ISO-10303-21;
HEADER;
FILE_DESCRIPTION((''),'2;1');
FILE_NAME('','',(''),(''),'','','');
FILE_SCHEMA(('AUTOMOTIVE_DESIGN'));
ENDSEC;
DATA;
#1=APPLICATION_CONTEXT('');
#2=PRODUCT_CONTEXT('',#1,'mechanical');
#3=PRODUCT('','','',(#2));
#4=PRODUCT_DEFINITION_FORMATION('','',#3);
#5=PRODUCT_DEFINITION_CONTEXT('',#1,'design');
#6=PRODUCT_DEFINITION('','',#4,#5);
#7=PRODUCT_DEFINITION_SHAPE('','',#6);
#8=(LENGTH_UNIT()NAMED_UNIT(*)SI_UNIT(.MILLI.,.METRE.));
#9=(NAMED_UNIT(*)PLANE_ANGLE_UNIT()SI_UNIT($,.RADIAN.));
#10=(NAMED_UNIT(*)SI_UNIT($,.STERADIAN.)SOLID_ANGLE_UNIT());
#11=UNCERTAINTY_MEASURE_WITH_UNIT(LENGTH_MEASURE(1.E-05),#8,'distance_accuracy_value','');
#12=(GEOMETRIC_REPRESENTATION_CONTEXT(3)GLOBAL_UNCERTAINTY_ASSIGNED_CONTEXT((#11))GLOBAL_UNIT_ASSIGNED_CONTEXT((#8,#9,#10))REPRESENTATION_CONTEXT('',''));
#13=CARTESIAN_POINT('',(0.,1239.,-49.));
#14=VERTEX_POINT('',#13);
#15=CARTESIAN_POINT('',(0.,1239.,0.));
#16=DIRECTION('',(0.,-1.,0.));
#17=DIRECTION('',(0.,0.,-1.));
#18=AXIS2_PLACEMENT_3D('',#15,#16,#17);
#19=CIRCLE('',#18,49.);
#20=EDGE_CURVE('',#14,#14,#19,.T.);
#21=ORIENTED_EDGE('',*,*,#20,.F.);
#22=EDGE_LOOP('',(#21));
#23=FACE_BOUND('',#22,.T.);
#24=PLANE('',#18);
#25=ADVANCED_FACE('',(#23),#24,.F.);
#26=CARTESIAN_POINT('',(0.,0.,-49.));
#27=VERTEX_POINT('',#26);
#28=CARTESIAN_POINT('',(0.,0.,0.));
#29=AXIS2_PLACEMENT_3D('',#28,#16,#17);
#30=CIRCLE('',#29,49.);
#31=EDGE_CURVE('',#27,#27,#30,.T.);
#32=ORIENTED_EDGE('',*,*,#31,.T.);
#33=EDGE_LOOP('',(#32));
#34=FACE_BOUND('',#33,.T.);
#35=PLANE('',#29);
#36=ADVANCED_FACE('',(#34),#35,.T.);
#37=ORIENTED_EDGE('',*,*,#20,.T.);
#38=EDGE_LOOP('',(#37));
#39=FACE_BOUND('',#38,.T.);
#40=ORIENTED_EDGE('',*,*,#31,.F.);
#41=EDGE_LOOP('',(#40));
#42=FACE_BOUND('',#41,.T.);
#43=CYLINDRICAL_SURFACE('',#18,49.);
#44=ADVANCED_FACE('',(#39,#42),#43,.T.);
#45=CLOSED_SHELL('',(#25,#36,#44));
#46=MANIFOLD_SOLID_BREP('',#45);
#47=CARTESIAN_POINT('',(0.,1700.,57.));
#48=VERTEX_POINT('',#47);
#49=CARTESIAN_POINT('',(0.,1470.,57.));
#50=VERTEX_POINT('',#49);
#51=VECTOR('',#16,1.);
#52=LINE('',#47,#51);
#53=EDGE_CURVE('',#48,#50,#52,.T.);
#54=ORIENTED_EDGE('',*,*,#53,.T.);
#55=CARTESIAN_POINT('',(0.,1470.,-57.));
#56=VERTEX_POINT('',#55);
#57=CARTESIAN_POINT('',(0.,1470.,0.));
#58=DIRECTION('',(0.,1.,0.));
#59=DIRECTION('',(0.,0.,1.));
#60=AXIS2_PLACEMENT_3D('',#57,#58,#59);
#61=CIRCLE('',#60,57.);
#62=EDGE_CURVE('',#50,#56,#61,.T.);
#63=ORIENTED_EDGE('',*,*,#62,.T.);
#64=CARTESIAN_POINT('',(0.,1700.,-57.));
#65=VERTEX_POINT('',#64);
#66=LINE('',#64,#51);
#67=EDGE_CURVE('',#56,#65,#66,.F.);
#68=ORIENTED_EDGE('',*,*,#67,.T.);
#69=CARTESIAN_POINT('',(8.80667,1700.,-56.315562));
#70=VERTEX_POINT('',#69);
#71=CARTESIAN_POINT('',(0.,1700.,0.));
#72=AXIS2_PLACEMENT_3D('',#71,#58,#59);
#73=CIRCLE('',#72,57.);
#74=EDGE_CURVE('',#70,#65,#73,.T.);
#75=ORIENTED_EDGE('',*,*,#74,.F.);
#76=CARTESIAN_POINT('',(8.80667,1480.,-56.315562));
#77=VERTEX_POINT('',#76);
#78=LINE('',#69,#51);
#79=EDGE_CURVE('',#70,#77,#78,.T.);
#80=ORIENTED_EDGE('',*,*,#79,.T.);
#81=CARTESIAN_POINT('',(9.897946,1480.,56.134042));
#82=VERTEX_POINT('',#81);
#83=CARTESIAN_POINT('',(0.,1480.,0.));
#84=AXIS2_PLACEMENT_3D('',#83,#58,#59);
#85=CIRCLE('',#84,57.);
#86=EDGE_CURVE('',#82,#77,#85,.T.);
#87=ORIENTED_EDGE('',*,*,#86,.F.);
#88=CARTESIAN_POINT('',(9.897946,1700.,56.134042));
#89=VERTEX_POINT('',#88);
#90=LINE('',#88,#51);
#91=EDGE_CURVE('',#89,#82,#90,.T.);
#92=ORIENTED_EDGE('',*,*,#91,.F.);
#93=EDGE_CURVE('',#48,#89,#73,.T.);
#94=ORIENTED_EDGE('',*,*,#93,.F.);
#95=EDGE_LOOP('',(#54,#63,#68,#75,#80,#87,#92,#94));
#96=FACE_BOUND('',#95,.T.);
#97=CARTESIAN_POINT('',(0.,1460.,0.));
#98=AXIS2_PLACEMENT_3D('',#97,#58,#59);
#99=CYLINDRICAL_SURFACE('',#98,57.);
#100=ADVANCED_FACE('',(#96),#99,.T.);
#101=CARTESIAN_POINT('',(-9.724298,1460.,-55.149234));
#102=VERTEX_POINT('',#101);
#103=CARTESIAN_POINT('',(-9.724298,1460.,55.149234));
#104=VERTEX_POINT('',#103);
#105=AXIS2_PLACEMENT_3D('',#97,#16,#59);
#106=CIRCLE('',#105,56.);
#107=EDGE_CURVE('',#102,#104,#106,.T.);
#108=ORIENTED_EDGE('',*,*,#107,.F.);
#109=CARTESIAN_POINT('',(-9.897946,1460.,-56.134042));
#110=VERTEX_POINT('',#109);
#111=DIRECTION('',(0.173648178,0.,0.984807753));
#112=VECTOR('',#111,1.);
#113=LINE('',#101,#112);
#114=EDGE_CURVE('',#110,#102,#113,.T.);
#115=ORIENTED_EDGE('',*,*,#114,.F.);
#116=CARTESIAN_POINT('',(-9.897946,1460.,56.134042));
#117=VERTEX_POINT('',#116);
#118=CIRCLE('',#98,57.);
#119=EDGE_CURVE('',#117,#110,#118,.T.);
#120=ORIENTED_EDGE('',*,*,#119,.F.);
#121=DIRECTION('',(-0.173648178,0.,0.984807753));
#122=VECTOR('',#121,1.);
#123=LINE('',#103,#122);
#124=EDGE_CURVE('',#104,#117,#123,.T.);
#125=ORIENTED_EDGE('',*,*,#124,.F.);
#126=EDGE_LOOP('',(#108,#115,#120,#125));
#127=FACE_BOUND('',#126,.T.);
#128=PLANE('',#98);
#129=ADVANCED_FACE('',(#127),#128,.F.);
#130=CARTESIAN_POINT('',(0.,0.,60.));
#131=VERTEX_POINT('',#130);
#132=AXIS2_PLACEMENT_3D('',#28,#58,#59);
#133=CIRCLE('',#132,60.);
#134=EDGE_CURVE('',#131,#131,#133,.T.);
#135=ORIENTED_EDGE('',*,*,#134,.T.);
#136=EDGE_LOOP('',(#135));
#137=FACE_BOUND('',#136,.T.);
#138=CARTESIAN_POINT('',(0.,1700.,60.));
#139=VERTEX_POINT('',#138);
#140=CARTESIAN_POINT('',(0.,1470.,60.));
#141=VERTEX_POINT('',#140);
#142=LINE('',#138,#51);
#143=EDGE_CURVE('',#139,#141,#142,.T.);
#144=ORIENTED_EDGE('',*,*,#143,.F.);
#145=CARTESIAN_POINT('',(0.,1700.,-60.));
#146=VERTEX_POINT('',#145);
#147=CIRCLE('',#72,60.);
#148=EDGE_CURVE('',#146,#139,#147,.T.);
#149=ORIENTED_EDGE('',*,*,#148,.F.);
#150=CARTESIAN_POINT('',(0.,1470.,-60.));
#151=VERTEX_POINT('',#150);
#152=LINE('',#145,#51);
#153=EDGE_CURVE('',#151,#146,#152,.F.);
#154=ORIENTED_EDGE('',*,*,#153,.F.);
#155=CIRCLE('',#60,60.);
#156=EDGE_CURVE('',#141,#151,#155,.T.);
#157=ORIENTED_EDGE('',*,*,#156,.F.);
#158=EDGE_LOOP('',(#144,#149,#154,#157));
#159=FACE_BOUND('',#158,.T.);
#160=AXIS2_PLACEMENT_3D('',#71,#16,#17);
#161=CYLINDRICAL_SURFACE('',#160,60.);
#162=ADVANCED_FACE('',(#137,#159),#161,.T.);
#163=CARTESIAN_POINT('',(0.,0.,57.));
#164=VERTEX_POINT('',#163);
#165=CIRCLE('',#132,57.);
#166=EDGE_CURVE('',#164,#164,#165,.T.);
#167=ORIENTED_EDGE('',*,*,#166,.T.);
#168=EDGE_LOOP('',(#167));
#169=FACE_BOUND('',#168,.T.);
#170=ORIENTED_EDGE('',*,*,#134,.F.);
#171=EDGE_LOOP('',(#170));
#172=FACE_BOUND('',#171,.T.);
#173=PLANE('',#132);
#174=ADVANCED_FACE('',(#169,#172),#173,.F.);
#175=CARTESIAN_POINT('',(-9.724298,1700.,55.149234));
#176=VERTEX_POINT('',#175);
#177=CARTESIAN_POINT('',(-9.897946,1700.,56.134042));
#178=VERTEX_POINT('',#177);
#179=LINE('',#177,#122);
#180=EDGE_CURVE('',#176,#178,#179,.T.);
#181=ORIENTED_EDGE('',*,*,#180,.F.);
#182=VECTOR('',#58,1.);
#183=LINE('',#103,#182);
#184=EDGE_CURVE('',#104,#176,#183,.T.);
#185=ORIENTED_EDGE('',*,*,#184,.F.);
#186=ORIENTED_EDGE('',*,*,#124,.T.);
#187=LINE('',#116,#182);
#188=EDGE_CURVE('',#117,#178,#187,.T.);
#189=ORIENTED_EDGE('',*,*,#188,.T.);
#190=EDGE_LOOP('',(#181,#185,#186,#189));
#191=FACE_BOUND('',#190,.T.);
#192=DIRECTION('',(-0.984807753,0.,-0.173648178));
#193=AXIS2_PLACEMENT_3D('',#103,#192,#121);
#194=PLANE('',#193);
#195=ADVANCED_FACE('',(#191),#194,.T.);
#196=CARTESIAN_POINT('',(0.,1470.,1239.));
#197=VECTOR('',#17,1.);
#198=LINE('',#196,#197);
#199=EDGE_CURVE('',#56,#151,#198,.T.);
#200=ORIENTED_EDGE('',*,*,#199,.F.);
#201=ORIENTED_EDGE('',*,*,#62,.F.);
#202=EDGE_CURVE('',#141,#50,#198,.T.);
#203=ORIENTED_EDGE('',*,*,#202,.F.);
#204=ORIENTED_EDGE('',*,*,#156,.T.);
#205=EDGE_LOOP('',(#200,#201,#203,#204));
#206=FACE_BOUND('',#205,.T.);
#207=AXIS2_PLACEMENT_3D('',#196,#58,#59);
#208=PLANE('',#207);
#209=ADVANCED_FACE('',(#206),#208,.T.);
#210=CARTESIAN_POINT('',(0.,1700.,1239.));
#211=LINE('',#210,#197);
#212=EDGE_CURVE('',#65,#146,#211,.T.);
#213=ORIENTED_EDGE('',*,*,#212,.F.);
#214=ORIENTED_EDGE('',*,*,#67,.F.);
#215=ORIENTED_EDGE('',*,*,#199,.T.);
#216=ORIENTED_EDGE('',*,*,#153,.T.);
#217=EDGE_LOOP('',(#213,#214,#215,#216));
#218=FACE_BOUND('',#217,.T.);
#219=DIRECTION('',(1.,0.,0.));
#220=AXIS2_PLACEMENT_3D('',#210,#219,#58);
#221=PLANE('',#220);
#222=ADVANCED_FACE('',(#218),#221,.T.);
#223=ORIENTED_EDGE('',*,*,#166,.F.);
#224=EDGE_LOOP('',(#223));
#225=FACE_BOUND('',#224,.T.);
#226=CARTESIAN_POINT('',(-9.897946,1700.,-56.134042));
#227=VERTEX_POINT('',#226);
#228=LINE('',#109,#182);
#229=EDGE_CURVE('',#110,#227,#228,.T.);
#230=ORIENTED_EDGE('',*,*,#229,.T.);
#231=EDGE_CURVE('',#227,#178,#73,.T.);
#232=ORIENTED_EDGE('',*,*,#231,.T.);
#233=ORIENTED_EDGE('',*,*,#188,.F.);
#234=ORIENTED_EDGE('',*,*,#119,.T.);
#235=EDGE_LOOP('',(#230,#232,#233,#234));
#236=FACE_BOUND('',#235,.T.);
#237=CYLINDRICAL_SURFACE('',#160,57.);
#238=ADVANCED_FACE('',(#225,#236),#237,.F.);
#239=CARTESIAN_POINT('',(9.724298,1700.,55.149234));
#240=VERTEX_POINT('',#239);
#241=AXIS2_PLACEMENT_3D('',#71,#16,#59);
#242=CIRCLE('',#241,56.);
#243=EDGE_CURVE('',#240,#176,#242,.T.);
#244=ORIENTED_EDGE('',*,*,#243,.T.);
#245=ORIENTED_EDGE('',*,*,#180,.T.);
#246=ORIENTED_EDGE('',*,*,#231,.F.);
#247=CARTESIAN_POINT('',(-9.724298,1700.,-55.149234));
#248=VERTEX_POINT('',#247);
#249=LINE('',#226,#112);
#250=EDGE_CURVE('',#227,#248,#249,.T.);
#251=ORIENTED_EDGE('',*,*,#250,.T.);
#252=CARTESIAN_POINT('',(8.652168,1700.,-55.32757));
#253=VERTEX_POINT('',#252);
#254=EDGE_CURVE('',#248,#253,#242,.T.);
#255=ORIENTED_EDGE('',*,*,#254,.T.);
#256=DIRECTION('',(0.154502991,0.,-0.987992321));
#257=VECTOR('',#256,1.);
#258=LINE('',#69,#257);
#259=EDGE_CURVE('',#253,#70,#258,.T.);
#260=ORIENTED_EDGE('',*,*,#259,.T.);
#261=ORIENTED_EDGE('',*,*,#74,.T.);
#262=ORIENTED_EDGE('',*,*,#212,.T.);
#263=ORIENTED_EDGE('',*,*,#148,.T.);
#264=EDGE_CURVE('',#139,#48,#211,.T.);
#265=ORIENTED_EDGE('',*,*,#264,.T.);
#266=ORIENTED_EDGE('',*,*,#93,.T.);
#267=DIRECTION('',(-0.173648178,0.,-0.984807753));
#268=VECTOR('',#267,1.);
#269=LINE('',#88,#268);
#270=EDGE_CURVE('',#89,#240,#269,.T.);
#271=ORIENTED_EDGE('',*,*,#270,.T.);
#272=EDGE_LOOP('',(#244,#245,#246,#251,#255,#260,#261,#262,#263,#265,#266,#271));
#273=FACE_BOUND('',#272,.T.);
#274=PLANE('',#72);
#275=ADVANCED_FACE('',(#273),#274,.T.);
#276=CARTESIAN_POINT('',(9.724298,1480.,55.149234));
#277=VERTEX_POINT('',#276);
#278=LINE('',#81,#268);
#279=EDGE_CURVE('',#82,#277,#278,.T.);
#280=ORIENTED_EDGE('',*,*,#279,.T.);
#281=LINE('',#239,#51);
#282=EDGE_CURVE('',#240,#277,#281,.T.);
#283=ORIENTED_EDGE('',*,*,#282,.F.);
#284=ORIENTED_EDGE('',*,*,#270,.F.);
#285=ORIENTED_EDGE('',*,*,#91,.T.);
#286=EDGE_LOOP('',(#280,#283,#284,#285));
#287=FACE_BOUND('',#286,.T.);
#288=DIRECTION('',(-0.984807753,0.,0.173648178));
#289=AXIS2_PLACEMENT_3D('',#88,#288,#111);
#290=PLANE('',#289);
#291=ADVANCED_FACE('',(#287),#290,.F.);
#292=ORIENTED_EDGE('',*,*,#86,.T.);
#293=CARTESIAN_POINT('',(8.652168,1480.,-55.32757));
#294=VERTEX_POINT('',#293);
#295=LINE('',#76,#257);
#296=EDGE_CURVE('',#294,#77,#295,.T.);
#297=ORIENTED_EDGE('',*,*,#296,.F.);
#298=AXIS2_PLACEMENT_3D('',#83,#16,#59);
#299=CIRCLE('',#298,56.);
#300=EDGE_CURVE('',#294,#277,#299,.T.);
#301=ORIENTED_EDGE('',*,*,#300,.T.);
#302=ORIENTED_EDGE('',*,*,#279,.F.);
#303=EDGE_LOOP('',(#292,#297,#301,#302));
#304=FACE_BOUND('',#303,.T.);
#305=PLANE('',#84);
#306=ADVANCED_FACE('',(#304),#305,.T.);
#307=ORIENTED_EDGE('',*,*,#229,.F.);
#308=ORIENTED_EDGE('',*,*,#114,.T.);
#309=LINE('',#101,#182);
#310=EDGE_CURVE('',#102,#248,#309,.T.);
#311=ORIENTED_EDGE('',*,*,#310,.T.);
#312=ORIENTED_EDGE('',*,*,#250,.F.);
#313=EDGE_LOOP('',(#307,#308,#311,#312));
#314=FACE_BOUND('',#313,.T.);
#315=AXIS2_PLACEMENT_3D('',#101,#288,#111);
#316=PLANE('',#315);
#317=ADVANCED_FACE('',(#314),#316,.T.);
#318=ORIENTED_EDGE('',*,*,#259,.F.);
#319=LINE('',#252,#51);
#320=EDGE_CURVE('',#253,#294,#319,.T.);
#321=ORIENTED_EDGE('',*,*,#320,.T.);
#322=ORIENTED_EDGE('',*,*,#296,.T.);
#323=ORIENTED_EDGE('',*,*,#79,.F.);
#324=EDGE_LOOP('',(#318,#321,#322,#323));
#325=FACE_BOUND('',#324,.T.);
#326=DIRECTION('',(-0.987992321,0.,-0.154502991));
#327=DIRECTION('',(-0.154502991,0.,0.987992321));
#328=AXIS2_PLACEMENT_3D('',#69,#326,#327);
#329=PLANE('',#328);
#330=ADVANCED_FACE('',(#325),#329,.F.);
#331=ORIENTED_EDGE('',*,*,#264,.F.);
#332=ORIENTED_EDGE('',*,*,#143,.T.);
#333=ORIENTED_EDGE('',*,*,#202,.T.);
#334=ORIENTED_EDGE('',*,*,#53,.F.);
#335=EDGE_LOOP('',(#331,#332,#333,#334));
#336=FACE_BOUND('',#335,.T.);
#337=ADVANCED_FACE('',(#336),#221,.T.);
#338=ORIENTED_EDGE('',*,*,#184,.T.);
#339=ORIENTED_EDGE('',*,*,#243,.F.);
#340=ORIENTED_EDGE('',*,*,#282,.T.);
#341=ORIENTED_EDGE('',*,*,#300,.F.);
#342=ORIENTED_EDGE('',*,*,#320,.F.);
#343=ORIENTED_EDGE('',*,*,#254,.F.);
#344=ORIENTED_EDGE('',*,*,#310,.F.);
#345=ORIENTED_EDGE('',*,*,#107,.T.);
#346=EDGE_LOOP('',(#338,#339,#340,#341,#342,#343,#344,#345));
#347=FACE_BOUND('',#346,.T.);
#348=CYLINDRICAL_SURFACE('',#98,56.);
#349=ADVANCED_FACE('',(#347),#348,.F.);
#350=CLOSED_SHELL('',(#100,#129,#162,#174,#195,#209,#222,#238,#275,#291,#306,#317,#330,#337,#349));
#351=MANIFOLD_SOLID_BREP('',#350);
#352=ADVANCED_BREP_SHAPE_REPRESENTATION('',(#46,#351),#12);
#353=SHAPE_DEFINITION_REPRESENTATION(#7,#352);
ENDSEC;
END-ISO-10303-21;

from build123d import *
from build123d.topology import SkipClean

# Parameters (mm, degrees)
SKETCH1_R                = 60
SKETCH1_R_2              = 57
BOSS_EXTRUDE1_DEPTH      = 1700
SKETCH4_R                = 49
BOSS_EXTRUDE2_DEPTH      = 1239
CUT_EXTRUDE1_DEPTH       = 1239
CUT_EXTRUDE1_DEPTH_BACK  = 1239
SKETCH7_W                = 139.911770255
SKETCH7_H                = 230
BOSS_EXTRUDE5_DEPTH      = 10
BOSS_EXTRUDE5_DEPTH_BACK = 10
BOSS_EXTRUDE6_DEPTH      = 220


with BuildPart() as part:
    # Sketch1 → Boss-Extrude1 (new body)
    with BuildSketch(Plane(origin=(0, 0, 0), x_dir=(1, 0, 0), z_dir=(0, 1, 0))):
        Circle(SKETCH1_R)
        Circle(SKETCH1_R_2, mode=Mode.SUBTRACT)
    extrude(amount=BOSS_EXTRUDE1_DEPTH)

    # Sketch7 → Cut-Extrude1 (cut, two sides: drawn at the far end of the back side and taken through both)
    with BuildSketch(Plane.XY.offset(-CUT_EXTRUDE1_DEPTH_BACK)):
        with Locations((69.955885128, 1585)):
            Rectangle(SKETCH7_W, SKETCH7_H)
    extrude(amount=CUT_EXTRUDE1_DEPTH + CUT_EXTRUDE1_DEPTH_BACK, mode=Mode.SUBTRACT)

    # Sketch8 → Boss-Extrude5 (add, two sides: drawn at the far end of the back side and taken through both)
    with BuildSketch(Plane(origin=(0, 1470, 0), x_dir=(1, 0, 0), z_dir=(0, 1, 0)).offset(-BOSS_EXTRUDE5_DEPTH_BACK)):
        with BuildLine():
            Line((-9.724297949, -55.149234169), (-9.897946127, -56.134041922))
            ThreePointArc((-9.897946127, -56.134041922), (57, 0), (-9.897946127, 56.134041922))
            Line((-9.897946127, 56.134041922), (-9.724297949, 55.149234169))
            ThreePointArc((-9.724297949, 55.149234169), (56, 0), (-9.724297949, -55.149234169))
        make_face()
    extrude(amount=BOSS_EXTRUDE5_DEPTH + BOSS_EXTRUDE5_DEPTH_BACK)

    # Sketch9 → Boss-Extrude6 (add)
    with SkipClean():  # the faces are left unmerged after this step: merging them gives an invalid solid
        with BuildSketch(Plane(origin=(0, 1480, 0), x_dir=(1, 0, 0), z_dir=(0, 1, 0))):
            with BuildLine():
                Line((-9.897946127, -56.134041922), (-9.724297949, -55.149234169))
                ThreePointArc((-9.724297949, -55.149234169), (0, -56), (9.724297949, -55.149234169))
                Line((9.724297949, -55.149234169), (9.897946127, -56.134041922))
                ThreePointArc((9.897946127, -56.134041922), (0, -57), (-9.897946127, -56.134041922))
            make_face()
            with BuildLine():
                Line((8.806670499, 56.315562278), (8.652167507, 55.327569958))
                ThreePointArc((8.652167507, 55.327569958), (-0.543430616, 55.99736318), (-9.724297949, 55.149234169))
                Line((-9.724297949, 55.149234169), (-9.897946127, 56.134041922))
                ThreePointArc((-9.897946127, 56.134041922), (-0.553134734, 56.997316094), (8.806670499, 56.315562278))
            make_face()
        extrude(amount=BOSS_EXTRUDE6_DEPTH)


with BuildPart() as body_2:
    # Sketch4 → Boss-Extrude2 (new body)
    with BuildSketch(Plane.XZ):
        Circle(SKETCH4_R)
    extrude(amount=-BOSS_EXTRUDE2_DEPTH)


solid = Compound([part.part, body_2.part])
